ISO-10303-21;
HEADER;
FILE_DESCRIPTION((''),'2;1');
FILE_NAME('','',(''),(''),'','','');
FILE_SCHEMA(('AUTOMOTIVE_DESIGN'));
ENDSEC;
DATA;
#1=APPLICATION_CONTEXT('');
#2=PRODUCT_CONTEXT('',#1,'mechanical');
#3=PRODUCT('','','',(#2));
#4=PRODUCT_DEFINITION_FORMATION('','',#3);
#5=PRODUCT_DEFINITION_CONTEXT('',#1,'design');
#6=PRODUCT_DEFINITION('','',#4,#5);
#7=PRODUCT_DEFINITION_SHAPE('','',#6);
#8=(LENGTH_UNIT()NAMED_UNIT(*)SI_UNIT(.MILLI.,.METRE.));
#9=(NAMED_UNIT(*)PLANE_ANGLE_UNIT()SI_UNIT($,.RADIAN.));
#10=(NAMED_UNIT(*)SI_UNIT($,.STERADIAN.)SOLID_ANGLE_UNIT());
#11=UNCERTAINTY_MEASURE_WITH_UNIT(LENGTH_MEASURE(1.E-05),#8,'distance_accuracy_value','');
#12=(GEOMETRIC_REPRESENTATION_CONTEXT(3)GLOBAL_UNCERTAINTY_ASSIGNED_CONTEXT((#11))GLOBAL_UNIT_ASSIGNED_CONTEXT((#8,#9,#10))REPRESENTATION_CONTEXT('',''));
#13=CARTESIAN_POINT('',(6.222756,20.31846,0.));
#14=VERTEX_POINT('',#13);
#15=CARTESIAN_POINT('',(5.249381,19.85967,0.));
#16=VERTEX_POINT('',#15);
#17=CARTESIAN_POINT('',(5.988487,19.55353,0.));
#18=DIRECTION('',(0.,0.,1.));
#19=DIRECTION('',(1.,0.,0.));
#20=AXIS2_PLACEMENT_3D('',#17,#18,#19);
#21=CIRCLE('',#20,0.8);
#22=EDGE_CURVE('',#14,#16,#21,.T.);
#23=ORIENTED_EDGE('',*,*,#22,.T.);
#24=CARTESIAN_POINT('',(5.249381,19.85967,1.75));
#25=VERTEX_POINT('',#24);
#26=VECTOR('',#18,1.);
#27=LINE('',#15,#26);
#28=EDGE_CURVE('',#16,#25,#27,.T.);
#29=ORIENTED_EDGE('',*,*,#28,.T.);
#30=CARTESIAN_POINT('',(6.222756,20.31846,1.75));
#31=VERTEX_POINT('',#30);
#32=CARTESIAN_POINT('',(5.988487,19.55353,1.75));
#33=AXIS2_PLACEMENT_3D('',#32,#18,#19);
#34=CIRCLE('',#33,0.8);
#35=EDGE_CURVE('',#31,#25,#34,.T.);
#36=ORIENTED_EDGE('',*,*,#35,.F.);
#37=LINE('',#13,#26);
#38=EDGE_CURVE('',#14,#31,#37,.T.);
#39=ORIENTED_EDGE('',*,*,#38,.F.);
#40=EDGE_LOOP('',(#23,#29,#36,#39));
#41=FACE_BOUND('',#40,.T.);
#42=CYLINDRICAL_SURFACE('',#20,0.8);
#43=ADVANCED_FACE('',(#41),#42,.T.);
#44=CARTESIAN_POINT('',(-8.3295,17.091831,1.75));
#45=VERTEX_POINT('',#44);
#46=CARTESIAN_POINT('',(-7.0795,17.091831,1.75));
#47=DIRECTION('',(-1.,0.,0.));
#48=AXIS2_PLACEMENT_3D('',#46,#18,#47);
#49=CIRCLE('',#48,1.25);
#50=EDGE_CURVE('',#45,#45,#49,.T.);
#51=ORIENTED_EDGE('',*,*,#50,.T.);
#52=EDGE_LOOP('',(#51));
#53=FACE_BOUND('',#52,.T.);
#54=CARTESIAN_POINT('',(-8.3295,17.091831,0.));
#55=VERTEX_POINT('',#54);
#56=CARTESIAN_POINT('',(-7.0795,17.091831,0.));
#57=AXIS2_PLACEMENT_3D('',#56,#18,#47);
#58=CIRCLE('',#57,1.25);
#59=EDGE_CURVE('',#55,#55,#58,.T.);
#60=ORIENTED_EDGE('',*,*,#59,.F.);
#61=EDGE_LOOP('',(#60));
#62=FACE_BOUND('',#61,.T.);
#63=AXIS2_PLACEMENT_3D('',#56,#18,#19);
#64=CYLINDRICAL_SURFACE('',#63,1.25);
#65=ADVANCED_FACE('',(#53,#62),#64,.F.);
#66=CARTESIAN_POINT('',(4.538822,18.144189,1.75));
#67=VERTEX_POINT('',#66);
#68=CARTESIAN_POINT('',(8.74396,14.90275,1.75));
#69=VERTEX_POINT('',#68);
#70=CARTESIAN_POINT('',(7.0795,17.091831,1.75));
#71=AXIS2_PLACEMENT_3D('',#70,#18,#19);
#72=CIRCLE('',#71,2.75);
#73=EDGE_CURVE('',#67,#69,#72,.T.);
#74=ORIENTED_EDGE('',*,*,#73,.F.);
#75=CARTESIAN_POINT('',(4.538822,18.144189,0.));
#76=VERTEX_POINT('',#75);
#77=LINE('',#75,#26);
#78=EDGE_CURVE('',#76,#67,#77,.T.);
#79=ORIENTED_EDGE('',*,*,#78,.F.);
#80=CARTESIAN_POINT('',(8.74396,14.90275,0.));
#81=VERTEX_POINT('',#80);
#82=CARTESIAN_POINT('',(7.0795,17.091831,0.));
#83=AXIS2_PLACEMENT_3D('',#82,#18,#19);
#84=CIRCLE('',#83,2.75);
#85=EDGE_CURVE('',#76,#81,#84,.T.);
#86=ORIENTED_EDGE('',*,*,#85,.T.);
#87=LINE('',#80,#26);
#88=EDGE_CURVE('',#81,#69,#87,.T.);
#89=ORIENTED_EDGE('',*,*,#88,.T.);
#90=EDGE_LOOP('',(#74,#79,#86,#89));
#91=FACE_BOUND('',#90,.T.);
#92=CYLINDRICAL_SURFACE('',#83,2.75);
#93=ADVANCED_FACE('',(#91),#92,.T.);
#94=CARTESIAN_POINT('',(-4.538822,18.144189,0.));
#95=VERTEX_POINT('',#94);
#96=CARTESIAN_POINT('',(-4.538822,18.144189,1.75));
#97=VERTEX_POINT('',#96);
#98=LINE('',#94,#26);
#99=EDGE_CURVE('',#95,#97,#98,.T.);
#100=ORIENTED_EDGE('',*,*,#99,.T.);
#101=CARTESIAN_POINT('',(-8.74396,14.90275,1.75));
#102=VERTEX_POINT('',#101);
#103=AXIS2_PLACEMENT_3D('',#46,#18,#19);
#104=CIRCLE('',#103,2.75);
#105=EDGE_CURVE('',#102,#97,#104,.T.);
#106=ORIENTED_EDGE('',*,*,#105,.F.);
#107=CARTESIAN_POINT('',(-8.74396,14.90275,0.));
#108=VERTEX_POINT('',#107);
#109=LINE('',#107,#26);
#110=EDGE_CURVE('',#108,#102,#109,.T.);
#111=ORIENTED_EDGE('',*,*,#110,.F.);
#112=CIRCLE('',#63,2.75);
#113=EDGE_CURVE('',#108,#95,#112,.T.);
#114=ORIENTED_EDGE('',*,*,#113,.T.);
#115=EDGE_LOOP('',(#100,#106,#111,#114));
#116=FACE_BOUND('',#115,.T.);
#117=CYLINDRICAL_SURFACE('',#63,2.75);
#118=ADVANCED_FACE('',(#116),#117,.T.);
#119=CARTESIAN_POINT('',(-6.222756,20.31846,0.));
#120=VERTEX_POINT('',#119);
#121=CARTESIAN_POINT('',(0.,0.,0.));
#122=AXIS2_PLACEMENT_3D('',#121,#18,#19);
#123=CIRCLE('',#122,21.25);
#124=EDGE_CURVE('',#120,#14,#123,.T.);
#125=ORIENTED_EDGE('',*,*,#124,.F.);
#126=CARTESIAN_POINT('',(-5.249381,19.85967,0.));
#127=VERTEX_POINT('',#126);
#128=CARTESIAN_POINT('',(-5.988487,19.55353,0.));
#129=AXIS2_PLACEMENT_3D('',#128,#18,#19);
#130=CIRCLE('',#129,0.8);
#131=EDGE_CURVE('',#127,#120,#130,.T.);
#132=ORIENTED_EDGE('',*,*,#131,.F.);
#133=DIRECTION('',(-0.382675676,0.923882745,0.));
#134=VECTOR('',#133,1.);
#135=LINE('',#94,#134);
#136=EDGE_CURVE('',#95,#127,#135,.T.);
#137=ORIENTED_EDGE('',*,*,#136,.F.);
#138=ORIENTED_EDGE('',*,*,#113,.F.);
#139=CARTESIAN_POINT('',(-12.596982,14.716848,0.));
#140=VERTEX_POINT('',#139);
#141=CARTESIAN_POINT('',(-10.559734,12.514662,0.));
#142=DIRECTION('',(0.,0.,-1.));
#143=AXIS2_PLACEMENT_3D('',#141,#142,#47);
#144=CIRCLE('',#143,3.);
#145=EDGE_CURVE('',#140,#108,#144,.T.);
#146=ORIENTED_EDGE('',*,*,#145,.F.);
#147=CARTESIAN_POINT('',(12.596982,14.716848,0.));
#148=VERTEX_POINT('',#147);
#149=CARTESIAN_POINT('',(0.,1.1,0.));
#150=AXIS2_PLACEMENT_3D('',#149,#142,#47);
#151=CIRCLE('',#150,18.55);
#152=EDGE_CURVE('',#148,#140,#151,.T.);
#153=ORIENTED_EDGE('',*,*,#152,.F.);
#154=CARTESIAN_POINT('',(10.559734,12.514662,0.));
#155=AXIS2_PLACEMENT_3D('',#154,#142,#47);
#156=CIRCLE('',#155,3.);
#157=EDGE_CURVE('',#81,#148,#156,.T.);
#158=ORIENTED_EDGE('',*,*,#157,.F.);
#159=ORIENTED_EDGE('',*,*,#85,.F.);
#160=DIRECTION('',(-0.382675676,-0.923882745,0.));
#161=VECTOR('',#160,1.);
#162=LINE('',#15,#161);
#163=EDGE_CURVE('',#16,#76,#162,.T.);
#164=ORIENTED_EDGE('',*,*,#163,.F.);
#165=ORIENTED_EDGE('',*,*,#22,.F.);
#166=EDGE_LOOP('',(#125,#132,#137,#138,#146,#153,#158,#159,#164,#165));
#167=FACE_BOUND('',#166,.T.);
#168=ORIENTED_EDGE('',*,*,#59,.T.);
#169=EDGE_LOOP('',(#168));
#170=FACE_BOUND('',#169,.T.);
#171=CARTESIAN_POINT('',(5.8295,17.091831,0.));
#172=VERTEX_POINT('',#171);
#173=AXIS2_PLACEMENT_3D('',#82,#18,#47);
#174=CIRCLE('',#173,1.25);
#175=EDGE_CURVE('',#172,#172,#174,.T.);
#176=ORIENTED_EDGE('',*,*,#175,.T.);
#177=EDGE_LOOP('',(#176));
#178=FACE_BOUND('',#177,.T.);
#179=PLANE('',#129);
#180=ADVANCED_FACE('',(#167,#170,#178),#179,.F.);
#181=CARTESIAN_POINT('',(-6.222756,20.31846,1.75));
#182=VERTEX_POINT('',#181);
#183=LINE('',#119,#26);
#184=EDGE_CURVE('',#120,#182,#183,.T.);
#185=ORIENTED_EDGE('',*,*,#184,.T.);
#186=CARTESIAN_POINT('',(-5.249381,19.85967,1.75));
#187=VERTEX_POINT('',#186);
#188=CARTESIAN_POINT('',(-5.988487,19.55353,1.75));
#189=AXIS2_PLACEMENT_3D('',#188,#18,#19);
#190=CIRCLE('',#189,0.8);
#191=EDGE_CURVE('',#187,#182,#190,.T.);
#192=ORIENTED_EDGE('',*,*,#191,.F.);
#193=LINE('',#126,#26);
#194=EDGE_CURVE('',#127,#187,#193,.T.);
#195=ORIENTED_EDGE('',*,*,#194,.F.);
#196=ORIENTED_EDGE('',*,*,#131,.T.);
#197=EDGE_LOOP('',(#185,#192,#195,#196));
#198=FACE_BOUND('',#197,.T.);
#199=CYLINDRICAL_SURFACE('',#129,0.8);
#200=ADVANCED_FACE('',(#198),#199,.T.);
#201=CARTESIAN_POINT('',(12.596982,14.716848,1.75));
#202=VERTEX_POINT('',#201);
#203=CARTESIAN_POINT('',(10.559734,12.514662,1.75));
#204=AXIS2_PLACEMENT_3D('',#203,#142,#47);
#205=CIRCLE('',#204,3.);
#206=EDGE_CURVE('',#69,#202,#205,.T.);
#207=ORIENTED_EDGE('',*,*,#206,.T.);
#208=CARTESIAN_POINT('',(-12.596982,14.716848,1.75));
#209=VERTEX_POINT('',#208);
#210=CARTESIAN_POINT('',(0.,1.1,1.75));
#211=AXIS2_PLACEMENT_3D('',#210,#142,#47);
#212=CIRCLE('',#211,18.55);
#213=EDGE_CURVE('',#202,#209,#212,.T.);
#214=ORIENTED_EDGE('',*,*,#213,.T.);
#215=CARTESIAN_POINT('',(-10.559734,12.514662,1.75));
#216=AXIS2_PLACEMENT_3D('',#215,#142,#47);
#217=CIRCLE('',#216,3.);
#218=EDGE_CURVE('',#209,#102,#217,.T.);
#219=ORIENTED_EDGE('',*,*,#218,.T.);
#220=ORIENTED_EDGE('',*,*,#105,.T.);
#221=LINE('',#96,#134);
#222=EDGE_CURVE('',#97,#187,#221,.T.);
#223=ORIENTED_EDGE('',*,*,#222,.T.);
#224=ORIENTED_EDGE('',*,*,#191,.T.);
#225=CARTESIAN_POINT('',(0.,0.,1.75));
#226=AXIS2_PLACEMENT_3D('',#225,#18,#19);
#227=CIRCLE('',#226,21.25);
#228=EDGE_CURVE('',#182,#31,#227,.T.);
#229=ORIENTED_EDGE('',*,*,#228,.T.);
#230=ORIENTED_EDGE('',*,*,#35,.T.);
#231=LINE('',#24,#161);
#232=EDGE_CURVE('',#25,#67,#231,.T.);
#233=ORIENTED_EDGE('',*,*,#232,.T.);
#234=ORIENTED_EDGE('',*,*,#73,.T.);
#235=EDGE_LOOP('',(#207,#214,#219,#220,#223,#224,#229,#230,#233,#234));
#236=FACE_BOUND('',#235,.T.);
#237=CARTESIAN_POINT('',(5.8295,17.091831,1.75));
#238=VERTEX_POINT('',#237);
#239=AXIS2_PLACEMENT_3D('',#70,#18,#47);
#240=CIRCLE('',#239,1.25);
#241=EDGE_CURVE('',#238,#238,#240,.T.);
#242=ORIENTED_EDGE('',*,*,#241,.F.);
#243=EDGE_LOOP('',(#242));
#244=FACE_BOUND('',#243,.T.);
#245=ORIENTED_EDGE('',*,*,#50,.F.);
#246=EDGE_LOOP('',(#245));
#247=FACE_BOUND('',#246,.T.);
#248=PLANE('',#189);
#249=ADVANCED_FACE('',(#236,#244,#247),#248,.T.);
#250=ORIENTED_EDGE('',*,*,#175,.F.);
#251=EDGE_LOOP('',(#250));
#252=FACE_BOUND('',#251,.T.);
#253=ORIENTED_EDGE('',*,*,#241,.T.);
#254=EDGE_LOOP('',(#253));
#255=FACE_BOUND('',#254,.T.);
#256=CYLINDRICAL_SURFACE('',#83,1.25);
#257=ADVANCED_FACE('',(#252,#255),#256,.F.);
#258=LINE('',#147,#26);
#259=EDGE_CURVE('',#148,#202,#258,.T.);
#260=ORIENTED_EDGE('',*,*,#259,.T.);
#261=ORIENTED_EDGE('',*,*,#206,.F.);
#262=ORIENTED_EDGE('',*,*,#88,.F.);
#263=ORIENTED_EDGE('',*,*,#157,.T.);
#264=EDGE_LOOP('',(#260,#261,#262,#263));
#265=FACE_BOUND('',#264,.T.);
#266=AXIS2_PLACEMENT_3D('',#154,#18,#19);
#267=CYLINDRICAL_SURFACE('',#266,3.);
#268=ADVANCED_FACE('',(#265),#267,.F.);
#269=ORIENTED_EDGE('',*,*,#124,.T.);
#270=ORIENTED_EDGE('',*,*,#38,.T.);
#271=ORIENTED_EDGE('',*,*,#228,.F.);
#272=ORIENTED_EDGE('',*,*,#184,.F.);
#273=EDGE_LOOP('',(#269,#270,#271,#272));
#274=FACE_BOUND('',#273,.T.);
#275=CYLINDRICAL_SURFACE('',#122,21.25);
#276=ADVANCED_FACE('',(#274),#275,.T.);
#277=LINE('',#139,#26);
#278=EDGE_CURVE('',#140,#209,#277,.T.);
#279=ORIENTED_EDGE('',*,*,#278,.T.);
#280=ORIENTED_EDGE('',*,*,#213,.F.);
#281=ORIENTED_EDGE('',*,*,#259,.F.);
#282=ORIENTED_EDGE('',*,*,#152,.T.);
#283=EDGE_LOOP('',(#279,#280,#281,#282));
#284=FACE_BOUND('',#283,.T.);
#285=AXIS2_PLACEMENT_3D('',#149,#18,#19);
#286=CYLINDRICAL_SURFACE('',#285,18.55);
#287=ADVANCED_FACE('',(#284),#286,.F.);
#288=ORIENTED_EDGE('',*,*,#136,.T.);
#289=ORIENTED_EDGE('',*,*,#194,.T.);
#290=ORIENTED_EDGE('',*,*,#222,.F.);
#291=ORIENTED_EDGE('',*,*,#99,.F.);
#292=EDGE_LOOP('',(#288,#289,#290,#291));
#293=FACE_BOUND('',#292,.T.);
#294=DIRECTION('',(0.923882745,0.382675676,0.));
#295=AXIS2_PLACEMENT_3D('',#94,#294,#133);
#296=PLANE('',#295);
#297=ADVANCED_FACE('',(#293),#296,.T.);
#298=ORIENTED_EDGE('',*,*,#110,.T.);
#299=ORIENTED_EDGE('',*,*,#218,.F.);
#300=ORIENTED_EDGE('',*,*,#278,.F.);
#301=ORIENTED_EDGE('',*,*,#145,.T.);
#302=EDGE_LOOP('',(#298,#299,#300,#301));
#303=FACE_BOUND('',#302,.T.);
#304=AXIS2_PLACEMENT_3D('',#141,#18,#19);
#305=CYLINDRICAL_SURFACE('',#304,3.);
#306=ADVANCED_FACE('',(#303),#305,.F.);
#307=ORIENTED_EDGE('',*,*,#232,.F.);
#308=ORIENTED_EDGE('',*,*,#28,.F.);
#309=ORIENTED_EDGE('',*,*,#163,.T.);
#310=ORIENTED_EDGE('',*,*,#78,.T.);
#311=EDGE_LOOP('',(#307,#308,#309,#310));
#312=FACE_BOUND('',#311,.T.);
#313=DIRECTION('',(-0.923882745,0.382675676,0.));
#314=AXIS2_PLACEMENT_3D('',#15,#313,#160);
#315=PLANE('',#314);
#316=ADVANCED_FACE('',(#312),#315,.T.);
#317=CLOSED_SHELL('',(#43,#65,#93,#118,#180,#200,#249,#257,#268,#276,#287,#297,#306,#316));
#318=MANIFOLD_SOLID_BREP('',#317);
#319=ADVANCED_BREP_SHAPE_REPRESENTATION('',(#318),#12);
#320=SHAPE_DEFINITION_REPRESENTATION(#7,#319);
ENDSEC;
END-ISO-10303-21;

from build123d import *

# Parameters (mm, degrees)
CROQUIS1_R              = 1.25
SALIENTE_EXTRUIR1_DEPTH = 1.75


with BuildPart() as part:
    # Croquis1 → Saliente-Extruir1 (new body)
    with BuildSketch(Plane.XY.offset(1.75)):
        with BuildLine():
            Line((5.249381166, 19.859670123), (4.53882245, 18.144188898))
            ThreePointArc((4.53882245, 18.144188898), (5.400610321, 14.913797401), (8.743959767, 14.902750233))
            ThreePointArc((8.743959767, 14.902750233), (10.704311129, 15.511176573), (12.596981786, 14.716848016))
            ThreePointArc((12.596981786, 14.716848016), (0, -17.45), (-12.596981786, 14.716848016))
            ThreePointArc((-12.596981786, 14.716848016), (-10.704311129, 15.511176573), (-8.743959767, 14.902750233))
            ThreePointArc((-8.743959767, 14.902750233), (-5.400610321, 14.913797401), (-4.53882245, 18.144188898))
            Line((-4.53882245, 18.144188898), (-5.249381166, 19.859670123))
            ThreePointArc((-5.249381166, 19.859670123), (-5.64740484, 20.277175016), (-6.222755816, 20.318459835))
            ThreePointArc((-6.222755816, 20.318459835), (0, -21.25), (6.222755816, 20.318459835))
            ThreePointArc((6.222755816, 20.318459835), (5.64740484, 20.277175016), (5.249381166, 19.859670123))
        make_face()
        with Locations(Location((-7.0795, 17.09183079, 0), (0, 0, 180))):
            Circle(CROQUIS1_R, mode=Mode.SUBTRACT)
        with Locations(Location((7.0795, 17.09183079, 0), (0, 0, 180))):
            Circle(CROQUIS1_R, mode=Mode.SUBTRACT)
    extrude(amount=-SALIENTE_EXTRUIR1_DEPTH)


solid = part.part
